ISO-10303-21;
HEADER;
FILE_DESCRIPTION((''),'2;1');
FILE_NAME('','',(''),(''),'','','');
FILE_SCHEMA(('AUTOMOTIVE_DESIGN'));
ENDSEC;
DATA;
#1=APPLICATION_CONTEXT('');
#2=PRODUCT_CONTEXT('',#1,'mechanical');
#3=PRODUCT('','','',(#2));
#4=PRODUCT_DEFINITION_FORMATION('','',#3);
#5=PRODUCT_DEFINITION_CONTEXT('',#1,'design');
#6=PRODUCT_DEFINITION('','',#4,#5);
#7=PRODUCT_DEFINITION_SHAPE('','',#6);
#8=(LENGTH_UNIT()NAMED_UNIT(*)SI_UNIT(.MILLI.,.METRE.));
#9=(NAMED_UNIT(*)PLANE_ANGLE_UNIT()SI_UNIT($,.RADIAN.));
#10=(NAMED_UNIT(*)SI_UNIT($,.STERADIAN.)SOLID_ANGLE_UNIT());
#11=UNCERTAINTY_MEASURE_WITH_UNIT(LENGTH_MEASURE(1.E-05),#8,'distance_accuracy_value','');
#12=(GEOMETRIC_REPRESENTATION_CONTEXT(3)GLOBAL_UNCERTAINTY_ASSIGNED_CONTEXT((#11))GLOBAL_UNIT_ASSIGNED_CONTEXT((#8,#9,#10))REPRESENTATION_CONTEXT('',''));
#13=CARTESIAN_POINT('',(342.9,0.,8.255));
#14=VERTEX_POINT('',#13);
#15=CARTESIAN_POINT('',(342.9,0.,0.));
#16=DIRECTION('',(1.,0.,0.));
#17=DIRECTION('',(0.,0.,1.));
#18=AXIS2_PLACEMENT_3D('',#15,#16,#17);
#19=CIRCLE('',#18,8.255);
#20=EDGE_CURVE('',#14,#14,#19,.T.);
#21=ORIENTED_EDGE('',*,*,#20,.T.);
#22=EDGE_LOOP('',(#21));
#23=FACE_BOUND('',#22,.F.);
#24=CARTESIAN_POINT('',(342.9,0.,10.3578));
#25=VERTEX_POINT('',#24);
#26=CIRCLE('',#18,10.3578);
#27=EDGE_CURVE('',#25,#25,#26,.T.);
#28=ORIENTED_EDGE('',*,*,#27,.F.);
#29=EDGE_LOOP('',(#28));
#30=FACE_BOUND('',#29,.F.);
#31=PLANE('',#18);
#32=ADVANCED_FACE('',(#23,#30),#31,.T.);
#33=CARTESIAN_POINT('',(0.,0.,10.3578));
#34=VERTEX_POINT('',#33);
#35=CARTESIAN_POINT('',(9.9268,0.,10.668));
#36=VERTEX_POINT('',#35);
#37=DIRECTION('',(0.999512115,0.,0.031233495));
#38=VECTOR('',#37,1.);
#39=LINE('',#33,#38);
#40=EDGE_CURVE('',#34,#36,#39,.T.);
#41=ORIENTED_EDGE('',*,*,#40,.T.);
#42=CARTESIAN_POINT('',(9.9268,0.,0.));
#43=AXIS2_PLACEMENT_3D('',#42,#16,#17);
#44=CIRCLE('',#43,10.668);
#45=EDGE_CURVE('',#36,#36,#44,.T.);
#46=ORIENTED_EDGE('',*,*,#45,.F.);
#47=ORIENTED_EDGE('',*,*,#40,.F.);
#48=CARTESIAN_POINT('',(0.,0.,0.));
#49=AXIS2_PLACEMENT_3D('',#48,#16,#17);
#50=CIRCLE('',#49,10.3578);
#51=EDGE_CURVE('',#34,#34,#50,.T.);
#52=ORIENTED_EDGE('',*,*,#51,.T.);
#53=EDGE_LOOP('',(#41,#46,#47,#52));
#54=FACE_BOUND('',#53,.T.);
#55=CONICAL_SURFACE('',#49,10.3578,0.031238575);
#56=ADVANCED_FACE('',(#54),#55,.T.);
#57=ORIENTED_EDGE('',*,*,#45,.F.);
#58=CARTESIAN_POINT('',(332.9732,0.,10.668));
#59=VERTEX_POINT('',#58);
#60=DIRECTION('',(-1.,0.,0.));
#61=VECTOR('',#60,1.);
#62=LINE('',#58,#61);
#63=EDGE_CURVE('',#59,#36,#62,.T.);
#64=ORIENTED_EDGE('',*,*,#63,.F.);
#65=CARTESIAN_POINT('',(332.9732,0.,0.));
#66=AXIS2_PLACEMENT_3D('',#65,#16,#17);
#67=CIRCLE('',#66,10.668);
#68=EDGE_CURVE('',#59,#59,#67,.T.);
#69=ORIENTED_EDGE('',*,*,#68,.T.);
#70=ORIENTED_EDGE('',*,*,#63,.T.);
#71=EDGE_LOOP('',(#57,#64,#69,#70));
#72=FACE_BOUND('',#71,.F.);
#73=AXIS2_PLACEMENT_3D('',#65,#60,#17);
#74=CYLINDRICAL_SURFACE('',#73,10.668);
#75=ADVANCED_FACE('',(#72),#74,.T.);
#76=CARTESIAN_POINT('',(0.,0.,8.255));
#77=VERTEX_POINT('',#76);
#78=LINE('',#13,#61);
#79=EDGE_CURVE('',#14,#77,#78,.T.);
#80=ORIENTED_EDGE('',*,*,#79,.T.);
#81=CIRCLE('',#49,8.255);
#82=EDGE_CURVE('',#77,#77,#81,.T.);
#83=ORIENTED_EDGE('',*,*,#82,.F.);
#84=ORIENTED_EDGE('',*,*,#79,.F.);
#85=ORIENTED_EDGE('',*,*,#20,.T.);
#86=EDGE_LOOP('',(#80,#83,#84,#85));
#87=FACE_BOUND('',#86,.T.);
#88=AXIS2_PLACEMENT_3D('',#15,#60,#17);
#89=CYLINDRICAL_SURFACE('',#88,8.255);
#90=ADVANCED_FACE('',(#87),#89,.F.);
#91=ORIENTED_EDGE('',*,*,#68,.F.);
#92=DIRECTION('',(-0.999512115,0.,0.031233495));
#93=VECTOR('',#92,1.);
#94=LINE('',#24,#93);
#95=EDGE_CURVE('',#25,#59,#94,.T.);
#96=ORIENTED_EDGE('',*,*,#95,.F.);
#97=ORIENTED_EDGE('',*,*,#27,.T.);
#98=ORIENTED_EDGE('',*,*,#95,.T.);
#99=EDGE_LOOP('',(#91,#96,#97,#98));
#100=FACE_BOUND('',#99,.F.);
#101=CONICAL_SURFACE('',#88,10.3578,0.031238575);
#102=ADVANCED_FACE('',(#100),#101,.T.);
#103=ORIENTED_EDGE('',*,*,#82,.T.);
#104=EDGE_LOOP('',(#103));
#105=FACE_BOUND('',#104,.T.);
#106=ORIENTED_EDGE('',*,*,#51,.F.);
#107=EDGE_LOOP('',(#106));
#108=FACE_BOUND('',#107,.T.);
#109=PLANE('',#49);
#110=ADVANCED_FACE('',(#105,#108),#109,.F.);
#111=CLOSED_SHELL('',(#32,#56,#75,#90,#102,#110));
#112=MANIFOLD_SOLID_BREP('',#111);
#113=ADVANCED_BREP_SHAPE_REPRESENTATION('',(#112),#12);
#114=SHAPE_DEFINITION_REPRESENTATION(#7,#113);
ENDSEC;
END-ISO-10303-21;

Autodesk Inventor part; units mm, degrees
ref_plane "YZ Plane" through (0, 0, 0) normal (1, 0, 0) x (0, 1, 0)
ref_plane "XZ Plane" through (0, 0, 0) normal (0, 1, 0) x (-1, 0, 0)
ref_plane "XY Plane" through (0, 0, 0) normal (0, 0, 1) x (1, 0, 0)
sketch "Sketch1" plane through (0, 0, 0) normal (0, 1, 0) x (-1, 0, 0)
  line L0 (0, 0) -> (-342.9, 0)
  line L1 (-342.9, 0) -> (-342.9, 8.255) construction
  line L2 (-342.9, 8.255) -> (-342.9, 10.3578)
  line L3 (-342.9, 10.3578) -> (-332.9732, 10.668)
  line L4 (-332.9732, 10.668) -> (-9.9268, 10.668)
  line L5 (-171.45, 0) -> (-171.45, 10.668) construction
  line L6 (-342.9, 8.255) -> (0, 8.255)
  line L7 (0, 0) -> (0, 8.255) construction
  line L8 (0, 8.255) -> (0, 10.3578)
  line L9 (0, 10.3578) -> (-9.9268, 10.668)
  line L10 (-329.344, 10.7814) -> (-329.344, 0) construction
  line L11 (-13.556, 10.7814) -> (-13.556, 0) construction
  line L12 (-332.9732, 10.668) -> (-329.344, 10.7814) construction
  line L13 (-332.9732, 10.668) -> (-332.9732, 0) construction
  line L14 (-9.9268, 10.668) -> (-13.556, 10.7814) construction
  line L15 (-9.9268, 10.668) -> (-9.9268, 0) construction
  dimension "d0" = 21.336
  dimension "d1" = 1.79
  dimension "d2" = 16.51
  dimension "d3" = 342.9
  dimension "d4" = 13.556
  dimension "d5" = 21.5628
revolve "Revolution1" add sketch "Sketch1" angle 360 about axis through (0, 0, 0) along (1, 0, 0)
thread "Thread1" size "1/2" designation "1/2 - 14 NPT" standard "NPT" full length
thread "Thread2" size "1/2" designation "1/2 - 14 NPT" standard "NPT" full length
equation "\"d0\" = OD"
equation "\"d2\" = ID"
equation "\"d3\" = L"
equation "\"d4\" = L2"
equation "\"d5\" = D2"
equation "\"OD\" = 21.336"
equation "\"t\" = 2.413"
equation "\"L\" = PL"
equation "\"L4\" = 19.8501"
equation "\"ID\" = 16.51"
equation "\"PL\" = 342.9"
equation "\"D2\" = 21.56282"
equation "\"L2\" = 13.55598"
equation "\"Size_Designation\" = 1.2345"
equation "\"PLmin\" = 2 * L2"
properties material "Steel, Wrought"
